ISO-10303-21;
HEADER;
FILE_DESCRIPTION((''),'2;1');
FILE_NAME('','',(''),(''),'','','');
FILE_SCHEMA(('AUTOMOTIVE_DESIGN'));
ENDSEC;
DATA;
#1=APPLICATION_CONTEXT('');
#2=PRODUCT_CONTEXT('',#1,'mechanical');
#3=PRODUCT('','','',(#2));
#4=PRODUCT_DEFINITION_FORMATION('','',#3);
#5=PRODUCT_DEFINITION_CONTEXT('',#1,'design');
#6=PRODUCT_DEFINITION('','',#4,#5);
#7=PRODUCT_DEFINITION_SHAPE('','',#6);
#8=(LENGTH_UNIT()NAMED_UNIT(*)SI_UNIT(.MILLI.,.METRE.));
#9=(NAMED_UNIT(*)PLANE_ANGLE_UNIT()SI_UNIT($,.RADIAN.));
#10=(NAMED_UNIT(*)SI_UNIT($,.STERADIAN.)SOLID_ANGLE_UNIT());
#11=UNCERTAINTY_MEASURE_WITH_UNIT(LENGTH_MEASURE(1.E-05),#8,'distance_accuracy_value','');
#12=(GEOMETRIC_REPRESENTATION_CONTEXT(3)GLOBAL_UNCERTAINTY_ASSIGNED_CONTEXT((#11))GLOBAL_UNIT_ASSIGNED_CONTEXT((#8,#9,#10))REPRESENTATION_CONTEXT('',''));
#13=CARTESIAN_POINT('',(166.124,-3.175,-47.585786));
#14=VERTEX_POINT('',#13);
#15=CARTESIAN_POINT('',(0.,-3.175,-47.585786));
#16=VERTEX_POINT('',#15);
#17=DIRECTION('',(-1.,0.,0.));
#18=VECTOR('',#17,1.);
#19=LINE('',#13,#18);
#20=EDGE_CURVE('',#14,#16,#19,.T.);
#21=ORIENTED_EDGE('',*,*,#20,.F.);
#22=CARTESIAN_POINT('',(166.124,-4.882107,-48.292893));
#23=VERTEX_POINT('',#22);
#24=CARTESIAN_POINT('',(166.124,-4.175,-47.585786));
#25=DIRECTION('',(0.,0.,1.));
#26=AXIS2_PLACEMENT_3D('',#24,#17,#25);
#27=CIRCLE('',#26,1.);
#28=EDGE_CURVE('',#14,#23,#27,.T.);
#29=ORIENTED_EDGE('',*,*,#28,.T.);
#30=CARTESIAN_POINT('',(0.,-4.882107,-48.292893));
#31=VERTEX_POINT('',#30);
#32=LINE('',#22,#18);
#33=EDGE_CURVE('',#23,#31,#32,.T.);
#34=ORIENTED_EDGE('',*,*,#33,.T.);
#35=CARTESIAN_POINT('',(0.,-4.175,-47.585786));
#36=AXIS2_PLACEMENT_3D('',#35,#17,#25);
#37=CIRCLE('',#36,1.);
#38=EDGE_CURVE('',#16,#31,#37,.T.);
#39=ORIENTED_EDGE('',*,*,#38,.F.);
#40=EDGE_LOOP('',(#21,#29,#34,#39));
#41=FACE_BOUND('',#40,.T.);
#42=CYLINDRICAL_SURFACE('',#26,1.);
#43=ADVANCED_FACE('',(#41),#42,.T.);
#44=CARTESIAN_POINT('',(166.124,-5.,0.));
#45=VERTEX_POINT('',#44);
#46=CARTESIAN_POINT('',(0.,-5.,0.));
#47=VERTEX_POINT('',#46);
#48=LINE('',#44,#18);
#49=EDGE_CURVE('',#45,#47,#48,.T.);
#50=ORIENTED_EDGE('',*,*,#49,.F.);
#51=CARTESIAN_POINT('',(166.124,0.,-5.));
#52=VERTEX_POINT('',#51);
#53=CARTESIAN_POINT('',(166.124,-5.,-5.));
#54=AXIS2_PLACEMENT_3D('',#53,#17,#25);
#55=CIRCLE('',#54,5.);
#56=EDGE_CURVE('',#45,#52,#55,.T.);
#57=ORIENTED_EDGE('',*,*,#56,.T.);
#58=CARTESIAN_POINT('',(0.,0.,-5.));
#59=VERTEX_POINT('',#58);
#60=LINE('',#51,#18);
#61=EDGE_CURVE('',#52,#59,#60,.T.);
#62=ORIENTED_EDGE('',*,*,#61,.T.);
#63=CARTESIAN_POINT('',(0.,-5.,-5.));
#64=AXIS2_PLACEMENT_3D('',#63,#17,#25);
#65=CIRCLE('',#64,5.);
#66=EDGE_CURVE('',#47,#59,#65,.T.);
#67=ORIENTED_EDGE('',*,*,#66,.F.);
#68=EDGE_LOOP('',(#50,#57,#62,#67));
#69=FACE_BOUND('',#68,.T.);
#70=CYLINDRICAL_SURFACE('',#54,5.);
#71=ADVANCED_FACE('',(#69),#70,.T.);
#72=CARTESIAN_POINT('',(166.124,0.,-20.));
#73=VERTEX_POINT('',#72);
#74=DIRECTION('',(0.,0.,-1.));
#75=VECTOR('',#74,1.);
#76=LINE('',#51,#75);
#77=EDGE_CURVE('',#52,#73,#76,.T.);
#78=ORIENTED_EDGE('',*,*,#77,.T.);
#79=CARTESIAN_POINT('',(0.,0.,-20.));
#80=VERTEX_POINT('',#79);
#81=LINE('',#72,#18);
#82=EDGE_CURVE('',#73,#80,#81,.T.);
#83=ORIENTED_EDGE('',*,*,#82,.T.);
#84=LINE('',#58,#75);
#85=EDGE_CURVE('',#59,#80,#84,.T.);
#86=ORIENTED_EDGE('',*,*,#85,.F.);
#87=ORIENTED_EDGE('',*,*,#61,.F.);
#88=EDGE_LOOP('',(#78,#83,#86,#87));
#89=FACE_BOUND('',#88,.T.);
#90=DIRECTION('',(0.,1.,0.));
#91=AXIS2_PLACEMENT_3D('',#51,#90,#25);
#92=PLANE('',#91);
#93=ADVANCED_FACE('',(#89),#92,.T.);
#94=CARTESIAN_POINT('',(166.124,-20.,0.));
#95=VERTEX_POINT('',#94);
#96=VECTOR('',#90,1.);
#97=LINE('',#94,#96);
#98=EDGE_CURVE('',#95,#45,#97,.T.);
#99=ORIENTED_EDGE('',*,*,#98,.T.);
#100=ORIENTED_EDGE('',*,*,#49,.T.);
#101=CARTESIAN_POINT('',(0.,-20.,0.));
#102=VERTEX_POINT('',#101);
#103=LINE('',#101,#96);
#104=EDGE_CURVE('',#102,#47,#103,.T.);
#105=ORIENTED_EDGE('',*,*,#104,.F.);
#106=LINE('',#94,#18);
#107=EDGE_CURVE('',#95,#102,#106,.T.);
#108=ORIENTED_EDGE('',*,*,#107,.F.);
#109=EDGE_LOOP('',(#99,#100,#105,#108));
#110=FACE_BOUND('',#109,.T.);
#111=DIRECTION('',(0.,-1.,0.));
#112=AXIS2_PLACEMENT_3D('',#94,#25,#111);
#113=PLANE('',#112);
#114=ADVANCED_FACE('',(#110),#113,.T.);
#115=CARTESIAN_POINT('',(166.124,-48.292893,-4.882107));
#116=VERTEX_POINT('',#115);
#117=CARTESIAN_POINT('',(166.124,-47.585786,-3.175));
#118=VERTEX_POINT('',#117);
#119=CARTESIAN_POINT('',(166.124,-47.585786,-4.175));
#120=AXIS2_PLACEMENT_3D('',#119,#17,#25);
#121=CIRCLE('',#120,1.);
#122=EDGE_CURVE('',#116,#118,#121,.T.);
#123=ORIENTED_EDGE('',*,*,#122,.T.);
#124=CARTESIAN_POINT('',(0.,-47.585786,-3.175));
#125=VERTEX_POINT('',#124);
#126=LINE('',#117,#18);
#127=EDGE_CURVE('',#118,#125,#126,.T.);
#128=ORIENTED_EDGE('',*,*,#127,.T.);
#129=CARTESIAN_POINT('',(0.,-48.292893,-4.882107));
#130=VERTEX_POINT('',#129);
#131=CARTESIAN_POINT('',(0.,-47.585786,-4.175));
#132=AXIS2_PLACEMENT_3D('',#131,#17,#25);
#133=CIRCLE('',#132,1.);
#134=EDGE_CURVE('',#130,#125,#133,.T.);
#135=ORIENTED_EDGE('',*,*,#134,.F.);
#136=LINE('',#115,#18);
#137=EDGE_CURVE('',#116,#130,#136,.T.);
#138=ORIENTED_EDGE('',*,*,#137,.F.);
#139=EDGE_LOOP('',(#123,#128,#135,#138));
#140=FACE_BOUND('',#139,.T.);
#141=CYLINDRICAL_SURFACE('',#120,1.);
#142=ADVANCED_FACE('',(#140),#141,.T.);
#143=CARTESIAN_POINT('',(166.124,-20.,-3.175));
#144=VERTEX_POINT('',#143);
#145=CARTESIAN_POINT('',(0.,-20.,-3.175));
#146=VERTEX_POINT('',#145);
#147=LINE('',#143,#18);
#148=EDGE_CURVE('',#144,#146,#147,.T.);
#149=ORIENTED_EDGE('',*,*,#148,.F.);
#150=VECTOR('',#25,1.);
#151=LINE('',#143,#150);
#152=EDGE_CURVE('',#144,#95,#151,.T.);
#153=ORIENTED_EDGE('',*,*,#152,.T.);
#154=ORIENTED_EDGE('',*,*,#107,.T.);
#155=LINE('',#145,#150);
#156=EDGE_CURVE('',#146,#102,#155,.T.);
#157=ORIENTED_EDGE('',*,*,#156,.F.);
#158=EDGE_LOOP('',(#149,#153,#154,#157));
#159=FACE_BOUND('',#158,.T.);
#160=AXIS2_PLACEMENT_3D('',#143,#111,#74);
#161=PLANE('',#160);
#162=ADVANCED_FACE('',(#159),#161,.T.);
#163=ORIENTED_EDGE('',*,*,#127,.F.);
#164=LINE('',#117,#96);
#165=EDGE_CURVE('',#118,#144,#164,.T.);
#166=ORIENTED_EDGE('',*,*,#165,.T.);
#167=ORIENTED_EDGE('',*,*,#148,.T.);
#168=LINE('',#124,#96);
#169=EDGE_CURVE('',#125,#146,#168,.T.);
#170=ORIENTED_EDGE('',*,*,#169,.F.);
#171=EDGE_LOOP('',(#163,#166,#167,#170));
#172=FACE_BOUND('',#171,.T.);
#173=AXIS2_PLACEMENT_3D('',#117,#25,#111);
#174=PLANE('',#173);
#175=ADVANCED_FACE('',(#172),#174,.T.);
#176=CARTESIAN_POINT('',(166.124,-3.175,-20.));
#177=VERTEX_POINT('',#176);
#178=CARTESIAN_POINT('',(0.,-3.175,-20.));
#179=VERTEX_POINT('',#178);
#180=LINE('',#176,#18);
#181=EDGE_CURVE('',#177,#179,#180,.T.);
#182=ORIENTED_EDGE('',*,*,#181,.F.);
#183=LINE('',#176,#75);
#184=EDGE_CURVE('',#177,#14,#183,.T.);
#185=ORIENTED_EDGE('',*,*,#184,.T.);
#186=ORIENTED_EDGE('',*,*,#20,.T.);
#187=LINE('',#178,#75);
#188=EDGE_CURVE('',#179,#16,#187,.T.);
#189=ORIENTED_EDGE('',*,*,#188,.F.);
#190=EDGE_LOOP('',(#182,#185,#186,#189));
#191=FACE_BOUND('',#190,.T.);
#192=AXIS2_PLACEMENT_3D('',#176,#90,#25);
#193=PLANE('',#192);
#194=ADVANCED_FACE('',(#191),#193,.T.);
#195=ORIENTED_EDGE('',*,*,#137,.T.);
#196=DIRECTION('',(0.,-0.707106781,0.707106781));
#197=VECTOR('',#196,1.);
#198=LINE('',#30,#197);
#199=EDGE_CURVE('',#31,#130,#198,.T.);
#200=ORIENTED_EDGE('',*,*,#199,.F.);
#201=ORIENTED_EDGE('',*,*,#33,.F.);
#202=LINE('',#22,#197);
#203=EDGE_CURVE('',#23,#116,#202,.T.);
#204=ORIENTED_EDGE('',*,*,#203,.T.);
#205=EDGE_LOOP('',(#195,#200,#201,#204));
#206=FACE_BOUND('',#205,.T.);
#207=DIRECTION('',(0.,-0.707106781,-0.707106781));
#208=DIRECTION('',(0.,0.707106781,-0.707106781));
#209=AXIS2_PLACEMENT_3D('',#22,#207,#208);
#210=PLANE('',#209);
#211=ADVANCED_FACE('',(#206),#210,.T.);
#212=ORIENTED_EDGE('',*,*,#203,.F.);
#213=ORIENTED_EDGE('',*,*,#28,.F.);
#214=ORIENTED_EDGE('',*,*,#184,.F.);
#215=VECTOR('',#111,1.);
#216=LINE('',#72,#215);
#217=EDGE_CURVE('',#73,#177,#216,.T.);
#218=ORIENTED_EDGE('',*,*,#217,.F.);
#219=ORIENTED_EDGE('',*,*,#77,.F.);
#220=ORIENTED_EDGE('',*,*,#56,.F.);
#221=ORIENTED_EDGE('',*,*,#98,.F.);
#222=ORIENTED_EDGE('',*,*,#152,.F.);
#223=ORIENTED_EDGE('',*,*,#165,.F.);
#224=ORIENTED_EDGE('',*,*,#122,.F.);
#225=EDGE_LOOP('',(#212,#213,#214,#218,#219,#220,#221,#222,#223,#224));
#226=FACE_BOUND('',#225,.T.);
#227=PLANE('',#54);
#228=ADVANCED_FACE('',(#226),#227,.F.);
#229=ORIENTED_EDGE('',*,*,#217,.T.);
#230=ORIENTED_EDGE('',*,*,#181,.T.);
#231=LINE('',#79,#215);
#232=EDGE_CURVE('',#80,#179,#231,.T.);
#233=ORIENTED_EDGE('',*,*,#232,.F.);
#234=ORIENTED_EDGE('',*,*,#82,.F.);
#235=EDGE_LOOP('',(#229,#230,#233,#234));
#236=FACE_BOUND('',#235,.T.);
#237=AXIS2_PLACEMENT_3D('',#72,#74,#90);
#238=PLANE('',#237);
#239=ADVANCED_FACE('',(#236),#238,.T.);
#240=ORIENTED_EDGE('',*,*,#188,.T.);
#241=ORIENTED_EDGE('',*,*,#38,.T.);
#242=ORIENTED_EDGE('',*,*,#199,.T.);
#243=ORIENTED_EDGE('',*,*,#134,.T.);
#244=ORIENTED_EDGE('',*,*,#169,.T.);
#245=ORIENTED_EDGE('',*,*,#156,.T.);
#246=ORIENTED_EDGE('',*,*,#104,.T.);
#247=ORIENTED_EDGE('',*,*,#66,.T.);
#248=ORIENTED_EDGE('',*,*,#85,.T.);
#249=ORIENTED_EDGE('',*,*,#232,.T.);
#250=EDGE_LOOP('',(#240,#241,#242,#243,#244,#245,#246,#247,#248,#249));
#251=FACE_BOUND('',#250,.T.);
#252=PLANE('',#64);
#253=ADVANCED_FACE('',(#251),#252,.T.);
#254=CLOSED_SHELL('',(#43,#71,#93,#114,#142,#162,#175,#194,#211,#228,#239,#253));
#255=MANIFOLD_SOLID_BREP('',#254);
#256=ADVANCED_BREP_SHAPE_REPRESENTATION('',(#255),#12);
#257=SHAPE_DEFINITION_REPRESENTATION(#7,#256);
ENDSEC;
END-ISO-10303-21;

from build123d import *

# Parameters (mm, degrees)
BOSS_EXTRUDE1_DEPTH = 166.124


with BuildPart() as part:
    # Sketch1 → Boss-Extrude1 (new body)
    with BuildSketch(Plane(origin=(0, 0, 0), x_dir=(0, 0, -1), z_dir=(1, 0, 0))):
        with BuildLine():
            Line((0, -20), (0, -5))
            ThreePointArc((0, -5), (1.464466094, -1.464466094), (5, 0))
            Line((5, 0), (20, 0))
            Line((20, 0), (20, -3.175))
            Line((20, -3.175), (47.585786438, -3.175))
            ThreePointArc((47.585786438, -3.175), (48.50966597, -3.792316568), (48.292893219, -4.882106781))
            Line((48.292893219, -4.882106781), (4.882106781, -48.292893219))
            ThreePointArc((4.882106781, -48.292893219), (3.792316568, -48.50966597), (3.175, -47.585786438))
            Line((3.175, -47.585786438), (3.175, -20))
            Line((3.175, -20), (0, -20))
        make_face()
    extrude(amount=BOSS_EXTRUDE1_DEPTH)


solid = part.part
